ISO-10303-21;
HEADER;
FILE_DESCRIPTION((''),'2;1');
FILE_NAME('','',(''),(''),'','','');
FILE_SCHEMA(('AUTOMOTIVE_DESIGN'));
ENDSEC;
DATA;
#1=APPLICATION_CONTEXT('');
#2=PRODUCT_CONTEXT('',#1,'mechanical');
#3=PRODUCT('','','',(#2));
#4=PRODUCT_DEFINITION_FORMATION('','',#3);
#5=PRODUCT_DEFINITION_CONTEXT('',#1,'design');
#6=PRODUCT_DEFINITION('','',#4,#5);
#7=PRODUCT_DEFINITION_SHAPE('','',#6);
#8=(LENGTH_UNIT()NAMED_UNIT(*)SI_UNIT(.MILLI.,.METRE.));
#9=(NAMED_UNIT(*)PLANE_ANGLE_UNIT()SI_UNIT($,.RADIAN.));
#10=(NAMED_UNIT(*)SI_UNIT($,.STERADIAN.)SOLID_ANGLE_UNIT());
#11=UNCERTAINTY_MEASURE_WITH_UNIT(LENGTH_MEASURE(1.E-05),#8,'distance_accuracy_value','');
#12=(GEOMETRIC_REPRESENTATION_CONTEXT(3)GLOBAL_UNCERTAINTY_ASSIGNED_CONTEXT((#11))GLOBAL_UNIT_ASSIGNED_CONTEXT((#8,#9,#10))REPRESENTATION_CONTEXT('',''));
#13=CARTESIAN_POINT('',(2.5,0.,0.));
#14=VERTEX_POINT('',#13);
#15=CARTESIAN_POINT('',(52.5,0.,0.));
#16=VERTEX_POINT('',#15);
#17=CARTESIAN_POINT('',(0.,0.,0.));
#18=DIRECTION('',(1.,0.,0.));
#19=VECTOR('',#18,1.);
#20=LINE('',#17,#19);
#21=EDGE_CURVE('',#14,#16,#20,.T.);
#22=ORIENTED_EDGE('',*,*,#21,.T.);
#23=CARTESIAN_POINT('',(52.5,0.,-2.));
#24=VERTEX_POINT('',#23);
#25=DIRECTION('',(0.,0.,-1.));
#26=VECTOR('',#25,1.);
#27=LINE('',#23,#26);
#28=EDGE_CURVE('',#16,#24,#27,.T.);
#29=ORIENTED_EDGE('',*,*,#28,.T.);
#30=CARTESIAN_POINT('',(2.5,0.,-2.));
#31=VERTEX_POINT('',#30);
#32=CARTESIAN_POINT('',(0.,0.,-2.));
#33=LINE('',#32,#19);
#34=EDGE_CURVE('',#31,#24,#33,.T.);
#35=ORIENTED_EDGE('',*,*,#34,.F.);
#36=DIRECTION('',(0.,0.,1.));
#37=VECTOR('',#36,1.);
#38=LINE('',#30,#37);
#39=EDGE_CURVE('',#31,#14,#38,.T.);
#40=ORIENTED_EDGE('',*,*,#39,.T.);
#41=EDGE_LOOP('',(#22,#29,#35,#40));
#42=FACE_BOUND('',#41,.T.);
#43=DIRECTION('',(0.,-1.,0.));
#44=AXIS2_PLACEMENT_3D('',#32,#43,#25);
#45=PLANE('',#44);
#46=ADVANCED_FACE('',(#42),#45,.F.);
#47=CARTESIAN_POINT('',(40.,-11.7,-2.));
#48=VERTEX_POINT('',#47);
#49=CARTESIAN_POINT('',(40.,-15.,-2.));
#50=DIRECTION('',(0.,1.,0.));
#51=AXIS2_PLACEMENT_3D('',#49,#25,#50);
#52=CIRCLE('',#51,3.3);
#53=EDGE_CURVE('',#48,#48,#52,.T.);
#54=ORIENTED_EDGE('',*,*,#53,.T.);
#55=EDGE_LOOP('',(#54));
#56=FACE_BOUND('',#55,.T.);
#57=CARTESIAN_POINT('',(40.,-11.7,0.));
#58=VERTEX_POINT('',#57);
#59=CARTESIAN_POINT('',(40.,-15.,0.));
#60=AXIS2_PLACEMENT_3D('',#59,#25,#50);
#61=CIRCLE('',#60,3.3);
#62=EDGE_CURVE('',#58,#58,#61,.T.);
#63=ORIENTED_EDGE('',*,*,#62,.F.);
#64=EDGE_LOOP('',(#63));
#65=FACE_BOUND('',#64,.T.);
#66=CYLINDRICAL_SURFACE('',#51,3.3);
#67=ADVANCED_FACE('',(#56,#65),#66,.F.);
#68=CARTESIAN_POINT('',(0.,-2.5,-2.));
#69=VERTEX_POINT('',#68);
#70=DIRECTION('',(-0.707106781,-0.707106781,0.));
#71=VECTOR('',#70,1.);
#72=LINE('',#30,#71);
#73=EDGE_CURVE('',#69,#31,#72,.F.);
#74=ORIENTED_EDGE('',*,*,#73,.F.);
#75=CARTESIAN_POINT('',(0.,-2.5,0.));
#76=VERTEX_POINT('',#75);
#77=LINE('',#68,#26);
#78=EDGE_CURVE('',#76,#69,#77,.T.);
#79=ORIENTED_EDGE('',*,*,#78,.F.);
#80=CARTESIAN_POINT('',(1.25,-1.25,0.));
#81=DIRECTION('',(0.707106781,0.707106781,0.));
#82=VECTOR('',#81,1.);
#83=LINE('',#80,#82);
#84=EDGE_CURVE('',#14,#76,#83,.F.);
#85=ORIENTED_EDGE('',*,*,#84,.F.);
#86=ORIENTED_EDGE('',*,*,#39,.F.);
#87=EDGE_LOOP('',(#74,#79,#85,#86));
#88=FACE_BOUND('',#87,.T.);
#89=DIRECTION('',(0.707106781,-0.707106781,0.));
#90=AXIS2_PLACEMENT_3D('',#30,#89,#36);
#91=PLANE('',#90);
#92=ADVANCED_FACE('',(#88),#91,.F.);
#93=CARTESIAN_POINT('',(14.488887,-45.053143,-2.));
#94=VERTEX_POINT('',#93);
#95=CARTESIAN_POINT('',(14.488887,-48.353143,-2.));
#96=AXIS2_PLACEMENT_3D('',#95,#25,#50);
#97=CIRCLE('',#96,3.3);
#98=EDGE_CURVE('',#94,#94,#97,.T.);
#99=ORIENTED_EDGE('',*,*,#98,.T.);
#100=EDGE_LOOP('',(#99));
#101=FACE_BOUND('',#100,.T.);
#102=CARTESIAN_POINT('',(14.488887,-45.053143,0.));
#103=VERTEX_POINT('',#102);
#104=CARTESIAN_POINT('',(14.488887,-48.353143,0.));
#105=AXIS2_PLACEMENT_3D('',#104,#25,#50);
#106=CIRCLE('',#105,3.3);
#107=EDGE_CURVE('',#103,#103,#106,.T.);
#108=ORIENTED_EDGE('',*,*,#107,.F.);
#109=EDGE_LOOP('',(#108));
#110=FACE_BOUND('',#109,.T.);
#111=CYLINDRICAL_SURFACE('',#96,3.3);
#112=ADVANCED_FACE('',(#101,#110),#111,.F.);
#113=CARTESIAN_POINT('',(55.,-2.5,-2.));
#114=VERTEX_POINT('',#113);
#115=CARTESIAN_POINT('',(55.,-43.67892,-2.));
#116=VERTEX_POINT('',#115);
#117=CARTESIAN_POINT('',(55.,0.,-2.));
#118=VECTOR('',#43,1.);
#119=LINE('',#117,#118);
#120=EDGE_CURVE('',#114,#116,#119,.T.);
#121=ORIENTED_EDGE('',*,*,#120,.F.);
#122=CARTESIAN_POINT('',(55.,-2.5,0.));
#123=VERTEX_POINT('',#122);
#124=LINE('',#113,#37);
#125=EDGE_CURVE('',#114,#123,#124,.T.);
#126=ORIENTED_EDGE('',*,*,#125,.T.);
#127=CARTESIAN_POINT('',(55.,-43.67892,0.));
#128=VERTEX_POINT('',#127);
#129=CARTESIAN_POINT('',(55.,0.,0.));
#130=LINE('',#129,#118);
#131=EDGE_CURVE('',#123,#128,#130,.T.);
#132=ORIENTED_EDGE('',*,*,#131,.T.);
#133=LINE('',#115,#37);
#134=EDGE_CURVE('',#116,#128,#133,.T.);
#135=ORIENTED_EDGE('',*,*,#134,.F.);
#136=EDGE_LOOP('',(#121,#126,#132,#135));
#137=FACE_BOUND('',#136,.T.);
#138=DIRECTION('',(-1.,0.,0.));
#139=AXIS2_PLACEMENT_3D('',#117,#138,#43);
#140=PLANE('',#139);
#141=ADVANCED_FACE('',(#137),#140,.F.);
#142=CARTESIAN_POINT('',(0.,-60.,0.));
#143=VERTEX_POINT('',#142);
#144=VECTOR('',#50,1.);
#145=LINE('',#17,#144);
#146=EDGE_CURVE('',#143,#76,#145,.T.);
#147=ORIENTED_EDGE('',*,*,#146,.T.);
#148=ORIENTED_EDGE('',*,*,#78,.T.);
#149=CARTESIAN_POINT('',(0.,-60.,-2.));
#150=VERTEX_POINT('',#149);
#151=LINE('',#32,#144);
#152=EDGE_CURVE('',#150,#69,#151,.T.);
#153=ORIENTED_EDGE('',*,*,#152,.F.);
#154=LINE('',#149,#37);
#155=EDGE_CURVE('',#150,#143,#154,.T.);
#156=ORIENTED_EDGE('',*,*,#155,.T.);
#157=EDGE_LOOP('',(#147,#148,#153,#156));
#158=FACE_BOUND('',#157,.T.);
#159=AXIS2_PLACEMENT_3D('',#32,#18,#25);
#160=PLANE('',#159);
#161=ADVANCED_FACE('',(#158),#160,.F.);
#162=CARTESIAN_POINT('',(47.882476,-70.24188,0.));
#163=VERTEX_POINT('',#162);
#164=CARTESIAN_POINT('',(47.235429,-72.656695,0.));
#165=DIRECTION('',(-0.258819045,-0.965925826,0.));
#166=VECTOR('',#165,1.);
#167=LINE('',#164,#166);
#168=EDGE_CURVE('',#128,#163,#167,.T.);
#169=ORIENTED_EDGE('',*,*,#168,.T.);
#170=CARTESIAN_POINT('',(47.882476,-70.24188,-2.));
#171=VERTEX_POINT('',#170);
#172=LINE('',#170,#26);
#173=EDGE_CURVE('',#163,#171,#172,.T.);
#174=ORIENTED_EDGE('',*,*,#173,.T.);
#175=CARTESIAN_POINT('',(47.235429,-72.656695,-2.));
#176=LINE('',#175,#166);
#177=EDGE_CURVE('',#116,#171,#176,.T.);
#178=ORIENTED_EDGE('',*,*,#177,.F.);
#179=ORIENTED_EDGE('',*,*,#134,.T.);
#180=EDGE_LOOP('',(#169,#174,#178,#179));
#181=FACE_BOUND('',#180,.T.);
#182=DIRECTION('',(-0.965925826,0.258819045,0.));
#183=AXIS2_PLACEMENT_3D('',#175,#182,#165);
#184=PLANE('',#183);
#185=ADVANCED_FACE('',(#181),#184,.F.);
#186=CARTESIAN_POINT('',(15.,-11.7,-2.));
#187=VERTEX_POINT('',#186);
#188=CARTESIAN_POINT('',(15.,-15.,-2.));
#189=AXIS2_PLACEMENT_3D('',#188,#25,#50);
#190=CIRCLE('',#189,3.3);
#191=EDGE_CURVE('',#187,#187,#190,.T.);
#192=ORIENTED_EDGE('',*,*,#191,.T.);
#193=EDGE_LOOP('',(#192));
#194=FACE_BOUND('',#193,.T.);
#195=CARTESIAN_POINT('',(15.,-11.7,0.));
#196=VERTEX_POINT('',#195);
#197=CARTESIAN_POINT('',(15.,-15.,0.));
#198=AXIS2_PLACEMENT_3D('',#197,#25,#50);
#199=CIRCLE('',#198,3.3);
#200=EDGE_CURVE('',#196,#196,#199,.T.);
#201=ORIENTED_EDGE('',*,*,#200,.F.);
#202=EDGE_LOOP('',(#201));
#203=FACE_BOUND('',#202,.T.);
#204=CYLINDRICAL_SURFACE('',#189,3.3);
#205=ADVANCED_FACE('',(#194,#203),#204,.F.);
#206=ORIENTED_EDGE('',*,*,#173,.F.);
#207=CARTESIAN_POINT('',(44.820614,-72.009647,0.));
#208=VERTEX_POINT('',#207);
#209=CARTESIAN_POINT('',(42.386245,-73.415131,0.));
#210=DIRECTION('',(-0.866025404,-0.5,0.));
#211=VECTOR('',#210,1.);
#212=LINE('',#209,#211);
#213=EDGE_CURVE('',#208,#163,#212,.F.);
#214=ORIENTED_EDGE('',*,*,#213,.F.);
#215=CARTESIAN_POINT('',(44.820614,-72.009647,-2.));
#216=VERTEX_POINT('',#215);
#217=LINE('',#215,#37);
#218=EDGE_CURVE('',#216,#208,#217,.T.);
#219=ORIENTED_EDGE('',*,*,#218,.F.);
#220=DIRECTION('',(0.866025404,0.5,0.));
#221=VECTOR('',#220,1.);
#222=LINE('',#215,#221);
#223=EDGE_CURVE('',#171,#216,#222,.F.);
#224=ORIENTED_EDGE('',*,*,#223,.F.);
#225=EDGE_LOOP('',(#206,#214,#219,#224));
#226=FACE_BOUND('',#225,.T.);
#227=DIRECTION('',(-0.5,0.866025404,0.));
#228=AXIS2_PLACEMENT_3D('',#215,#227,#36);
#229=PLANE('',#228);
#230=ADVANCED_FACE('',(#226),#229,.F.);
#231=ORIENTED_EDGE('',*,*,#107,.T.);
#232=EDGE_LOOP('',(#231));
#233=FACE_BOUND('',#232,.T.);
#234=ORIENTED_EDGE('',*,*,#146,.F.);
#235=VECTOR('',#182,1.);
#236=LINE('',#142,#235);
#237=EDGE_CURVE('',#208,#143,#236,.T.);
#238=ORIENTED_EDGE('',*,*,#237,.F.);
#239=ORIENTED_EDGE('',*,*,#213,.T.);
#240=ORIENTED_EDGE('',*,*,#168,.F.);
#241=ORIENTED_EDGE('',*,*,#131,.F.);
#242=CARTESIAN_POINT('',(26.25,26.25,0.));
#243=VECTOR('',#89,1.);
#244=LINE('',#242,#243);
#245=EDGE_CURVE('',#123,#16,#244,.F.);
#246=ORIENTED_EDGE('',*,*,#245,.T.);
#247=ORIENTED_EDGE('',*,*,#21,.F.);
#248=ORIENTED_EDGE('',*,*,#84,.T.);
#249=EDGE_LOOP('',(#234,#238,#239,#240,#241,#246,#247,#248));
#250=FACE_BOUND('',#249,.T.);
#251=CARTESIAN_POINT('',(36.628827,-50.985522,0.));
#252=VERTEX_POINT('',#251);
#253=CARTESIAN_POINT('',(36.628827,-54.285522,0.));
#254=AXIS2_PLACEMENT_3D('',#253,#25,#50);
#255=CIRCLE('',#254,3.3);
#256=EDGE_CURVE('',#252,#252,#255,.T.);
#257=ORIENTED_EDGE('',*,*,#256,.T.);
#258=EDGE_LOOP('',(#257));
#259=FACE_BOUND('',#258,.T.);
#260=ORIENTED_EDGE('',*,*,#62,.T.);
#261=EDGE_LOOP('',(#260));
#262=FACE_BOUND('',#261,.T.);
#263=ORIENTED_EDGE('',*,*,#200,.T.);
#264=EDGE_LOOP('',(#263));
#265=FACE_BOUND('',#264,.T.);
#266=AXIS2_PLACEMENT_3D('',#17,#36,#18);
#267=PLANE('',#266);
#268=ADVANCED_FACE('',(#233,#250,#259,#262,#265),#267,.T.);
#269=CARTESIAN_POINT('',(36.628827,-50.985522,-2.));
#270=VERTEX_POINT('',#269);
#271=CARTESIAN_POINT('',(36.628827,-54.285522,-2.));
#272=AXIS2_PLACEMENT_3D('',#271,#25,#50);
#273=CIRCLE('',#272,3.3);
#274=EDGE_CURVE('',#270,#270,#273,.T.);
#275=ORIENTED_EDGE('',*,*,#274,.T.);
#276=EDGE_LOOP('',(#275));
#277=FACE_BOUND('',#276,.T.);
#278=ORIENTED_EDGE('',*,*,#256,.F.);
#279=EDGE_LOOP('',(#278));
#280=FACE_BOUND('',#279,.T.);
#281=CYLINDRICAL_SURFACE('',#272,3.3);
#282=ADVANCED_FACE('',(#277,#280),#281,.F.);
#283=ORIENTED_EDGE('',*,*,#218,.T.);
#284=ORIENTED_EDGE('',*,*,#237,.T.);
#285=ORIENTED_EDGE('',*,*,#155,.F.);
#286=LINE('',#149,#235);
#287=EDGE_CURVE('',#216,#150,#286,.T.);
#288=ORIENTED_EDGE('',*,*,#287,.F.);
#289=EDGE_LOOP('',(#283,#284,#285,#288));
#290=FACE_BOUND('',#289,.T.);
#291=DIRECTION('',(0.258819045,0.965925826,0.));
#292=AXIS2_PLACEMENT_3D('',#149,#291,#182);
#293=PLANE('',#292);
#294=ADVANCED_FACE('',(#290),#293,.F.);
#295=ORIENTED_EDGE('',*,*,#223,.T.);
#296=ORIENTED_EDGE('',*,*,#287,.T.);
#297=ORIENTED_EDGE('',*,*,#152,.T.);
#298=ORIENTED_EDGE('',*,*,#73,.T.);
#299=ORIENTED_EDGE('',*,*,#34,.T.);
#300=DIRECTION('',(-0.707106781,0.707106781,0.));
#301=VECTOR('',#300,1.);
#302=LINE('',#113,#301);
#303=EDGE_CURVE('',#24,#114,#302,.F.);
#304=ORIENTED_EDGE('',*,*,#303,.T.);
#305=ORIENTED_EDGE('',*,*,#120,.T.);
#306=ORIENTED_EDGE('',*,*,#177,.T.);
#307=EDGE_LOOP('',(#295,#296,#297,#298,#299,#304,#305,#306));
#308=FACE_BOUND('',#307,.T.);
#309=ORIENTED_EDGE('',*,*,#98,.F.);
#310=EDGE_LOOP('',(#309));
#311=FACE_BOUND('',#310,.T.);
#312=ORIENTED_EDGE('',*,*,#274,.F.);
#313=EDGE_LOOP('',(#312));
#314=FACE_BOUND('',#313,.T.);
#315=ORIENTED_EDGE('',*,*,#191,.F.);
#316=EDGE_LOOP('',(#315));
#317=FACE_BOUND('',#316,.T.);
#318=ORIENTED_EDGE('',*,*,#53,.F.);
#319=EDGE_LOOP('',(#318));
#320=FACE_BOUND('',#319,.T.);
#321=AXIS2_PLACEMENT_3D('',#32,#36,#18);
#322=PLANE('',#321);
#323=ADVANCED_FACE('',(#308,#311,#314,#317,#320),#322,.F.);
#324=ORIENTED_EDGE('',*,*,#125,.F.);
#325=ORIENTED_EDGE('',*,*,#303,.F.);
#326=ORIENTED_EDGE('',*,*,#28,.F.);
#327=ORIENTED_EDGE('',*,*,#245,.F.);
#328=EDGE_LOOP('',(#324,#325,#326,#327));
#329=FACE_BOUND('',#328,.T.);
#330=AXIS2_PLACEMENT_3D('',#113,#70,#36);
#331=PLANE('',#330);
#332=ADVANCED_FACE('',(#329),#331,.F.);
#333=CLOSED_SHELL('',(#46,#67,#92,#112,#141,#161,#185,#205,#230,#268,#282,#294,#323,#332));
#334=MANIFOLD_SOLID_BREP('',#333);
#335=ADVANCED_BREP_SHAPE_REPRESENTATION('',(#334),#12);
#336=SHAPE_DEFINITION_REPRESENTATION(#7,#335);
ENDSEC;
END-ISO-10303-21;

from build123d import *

# Parameters (mm, degrees)
EXTRUDE_1_DEPTH   = 2
HOLE_WIZARD_M61_D = 6.6
CHAMFER_1_SIZE    = 2.5


with BuildPart() as part:
    # Эскиз3 → Бобышка-Вытянуть1 (new body)
    with BuildSketch(Plane(origin=(0, 0, 0), x_dir=(1, 0, 0), z_dir=(0, 0, -1))):
        Polygon((0, 0), (55, 0), (55, 43.678920171), (47.235428647, 72.65669496), (0, 60), align=None)
    extrude(amount=EXTRUDE_1_DEPTH)

    # Отверстие с зазором M61 (through all)
    with Locations(Plane(origin=(0, 0, -2), x_dir=(1, 0, 0), z_dir=(0, 0, -1))):
        with Locations((15, 15), (40, 15), (14.488887394, 48.35314297), (36.628826929, 54.285521889)):
            Hole(HOLE_WIZARD_M61_D / 2)

    # Фаска1
    chamfer_1_edges = [part.edges().sort_by_distance(p)[0] for p in [
        (47.235428647, -72.65669496, -1),
        (55, 0, -1),
        (0, 0, -1),
    ]]
    chamfer(chamfer_1_edges, length=CHAMFER_1_SIZE)


solid = part.part
